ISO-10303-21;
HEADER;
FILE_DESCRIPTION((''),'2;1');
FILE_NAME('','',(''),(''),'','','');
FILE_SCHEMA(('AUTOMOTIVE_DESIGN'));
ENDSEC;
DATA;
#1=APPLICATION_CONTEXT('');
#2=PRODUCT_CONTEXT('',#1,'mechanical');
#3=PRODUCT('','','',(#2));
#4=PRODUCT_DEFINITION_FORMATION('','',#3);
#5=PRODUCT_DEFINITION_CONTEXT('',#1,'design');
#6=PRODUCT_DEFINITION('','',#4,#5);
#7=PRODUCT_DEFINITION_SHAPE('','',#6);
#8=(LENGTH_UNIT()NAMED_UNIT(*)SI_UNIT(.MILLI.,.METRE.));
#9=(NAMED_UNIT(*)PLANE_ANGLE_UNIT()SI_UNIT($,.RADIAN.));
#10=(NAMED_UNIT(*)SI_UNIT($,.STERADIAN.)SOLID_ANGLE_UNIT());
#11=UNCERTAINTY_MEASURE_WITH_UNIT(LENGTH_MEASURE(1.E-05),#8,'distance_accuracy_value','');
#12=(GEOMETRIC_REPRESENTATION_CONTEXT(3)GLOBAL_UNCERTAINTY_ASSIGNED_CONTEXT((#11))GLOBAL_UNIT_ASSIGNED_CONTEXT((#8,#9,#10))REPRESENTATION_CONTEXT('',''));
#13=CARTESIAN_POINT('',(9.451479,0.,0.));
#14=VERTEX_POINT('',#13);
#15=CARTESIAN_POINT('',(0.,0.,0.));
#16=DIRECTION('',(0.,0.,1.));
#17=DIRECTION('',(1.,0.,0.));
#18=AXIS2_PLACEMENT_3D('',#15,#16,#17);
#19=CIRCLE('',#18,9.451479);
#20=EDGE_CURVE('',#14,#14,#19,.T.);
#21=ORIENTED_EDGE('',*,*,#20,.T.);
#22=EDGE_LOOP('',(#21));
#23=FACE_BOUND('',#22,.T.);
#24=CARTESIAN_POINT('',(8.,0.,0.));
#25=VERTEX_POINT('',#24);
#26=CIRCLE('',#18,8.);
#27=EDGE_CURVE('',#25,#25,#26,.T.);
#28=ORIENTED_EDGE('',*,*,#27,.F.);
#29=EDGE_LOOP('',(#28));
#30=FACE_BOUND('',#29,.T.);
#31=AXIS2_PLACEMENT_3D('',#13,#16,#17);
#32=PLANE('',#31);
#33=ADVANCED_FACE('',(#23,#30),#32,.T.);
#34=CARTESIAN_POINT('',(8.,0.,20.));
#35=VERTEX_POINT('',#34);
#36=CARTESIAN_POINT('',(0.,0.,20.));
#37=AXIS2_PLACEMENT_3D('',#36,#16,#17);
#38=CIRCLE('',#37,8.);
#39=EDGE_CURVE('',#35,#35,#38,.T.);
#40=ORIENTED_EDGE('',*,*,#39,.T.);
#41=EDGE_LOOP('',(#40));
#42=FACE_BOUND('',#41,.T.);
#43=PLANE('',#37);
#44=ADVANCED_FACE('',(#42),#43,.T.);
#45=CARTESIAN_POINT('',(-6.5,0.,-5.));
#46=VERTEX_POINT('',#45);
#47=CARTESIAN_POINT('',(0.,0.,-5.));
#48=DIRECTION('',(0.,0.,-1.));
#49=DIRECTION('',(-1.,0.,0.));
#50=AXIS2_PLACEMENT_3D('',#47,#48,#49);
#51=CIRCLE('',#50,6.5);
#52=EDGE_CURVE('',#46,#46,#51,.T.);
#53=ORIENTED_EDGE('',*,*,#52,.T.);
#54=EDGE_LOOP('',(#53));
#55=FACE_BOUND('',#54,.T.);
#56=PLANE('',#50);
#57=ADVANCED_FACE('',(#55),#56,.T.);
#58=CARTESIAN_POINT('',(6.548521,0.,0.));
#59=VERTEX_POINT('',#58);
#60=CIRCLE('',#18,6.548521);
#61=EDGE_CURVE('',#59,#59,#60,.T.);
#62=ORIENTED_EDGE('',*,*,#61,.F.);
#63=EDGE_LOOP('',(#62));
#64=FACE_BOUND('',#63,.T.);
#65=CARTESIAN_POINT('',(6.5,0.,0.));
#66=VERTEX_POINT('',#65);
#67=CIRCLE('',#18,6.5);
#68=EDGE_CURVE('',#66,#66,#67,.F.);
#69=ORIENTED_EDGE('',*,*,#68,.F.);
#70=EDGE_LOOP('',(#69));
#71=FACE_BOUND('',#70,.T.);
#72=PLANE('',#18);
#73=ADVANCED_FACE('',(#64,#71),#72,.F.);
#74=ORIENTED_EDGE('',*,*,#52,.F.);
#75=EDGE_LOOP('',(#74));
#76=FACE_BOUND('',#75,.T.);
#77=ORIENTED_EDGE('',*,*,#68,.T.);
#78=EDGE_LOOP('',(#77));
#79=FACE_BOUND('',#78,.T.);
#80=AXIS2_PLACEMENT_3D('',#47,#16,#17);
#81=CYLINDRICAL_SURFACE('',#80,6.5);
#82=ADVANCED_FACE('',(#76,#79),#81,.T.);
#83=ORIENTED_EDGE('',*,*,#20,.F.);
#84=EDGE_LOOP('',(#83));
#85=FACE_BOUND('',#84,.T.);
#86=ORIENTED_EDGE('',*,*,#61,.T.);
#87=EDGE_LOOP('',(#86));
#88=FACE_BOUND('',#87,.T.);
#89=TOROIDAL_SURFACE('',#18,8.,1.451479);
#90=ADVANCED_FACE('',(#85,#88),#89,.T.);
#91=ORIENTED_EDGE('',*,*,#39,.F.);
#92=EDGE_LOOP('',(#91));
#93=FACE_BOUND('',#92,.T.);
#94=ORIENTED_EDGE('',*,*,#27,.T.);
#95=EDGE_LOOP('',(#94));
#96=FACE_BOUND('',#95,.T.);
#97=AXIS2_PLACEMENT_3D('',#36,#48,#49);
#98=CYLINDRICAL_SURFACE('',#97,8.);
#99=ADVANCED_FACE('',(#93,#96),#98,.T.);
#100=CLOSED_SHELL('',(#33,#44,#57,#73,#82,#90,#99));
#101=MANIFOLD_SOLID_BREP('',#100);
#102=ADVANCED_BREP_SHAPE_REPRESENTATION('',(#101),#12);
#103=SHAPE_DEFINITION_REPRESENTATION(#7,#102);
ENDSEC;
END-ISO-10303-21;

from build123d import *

# Parameters (mm, degrees)
SKETCH1_R           = 8
BOSS_EXTRUDE1_DEPTH = 20
SKETCH3_R           = 6.5
BOSS_EXTRUDE2_DEPTH = 5


with BuildPart() as part:
    # Sketch1 → Boss-Extrude1 (new body)
    with BuildSketch(Plane.XY):
        Circle(SKETCH1_R)
    extrude(amount=BOSS_EXTRUDE1_DEPTH)

    # Sketch2 → Revolve1 (revolve)
    with BuildSketch(Plane(origin=(0, 0, 0), x_dir=(1, 0, 0), z_dir=(0, 1, 0))):
        with BuildLine():
            Line((9.451478866, 0), (6.548521134, 0))
            ThreePointArc((6.548521134, 0), (8, 1.451478866), (9.451478866, 0))
        make_face()
    revolve(axis=Axis((0, 0, 0), (0, 0, -1)))

    # Sketch3 → Boss-Extrude2 (add)
    with BuildSketch(Plane(origin=(0, 0, 0), x_dir=(-1, 0, 0), z_dir=(0, 0, -1))):
        with Locations(Location((0, 0, 0), (0, 0, 180))):
            Circle(SKETCH3_R)
    extrude(amount=BOSS_EXTRUDE2_DEPTH)


solid = part.part
